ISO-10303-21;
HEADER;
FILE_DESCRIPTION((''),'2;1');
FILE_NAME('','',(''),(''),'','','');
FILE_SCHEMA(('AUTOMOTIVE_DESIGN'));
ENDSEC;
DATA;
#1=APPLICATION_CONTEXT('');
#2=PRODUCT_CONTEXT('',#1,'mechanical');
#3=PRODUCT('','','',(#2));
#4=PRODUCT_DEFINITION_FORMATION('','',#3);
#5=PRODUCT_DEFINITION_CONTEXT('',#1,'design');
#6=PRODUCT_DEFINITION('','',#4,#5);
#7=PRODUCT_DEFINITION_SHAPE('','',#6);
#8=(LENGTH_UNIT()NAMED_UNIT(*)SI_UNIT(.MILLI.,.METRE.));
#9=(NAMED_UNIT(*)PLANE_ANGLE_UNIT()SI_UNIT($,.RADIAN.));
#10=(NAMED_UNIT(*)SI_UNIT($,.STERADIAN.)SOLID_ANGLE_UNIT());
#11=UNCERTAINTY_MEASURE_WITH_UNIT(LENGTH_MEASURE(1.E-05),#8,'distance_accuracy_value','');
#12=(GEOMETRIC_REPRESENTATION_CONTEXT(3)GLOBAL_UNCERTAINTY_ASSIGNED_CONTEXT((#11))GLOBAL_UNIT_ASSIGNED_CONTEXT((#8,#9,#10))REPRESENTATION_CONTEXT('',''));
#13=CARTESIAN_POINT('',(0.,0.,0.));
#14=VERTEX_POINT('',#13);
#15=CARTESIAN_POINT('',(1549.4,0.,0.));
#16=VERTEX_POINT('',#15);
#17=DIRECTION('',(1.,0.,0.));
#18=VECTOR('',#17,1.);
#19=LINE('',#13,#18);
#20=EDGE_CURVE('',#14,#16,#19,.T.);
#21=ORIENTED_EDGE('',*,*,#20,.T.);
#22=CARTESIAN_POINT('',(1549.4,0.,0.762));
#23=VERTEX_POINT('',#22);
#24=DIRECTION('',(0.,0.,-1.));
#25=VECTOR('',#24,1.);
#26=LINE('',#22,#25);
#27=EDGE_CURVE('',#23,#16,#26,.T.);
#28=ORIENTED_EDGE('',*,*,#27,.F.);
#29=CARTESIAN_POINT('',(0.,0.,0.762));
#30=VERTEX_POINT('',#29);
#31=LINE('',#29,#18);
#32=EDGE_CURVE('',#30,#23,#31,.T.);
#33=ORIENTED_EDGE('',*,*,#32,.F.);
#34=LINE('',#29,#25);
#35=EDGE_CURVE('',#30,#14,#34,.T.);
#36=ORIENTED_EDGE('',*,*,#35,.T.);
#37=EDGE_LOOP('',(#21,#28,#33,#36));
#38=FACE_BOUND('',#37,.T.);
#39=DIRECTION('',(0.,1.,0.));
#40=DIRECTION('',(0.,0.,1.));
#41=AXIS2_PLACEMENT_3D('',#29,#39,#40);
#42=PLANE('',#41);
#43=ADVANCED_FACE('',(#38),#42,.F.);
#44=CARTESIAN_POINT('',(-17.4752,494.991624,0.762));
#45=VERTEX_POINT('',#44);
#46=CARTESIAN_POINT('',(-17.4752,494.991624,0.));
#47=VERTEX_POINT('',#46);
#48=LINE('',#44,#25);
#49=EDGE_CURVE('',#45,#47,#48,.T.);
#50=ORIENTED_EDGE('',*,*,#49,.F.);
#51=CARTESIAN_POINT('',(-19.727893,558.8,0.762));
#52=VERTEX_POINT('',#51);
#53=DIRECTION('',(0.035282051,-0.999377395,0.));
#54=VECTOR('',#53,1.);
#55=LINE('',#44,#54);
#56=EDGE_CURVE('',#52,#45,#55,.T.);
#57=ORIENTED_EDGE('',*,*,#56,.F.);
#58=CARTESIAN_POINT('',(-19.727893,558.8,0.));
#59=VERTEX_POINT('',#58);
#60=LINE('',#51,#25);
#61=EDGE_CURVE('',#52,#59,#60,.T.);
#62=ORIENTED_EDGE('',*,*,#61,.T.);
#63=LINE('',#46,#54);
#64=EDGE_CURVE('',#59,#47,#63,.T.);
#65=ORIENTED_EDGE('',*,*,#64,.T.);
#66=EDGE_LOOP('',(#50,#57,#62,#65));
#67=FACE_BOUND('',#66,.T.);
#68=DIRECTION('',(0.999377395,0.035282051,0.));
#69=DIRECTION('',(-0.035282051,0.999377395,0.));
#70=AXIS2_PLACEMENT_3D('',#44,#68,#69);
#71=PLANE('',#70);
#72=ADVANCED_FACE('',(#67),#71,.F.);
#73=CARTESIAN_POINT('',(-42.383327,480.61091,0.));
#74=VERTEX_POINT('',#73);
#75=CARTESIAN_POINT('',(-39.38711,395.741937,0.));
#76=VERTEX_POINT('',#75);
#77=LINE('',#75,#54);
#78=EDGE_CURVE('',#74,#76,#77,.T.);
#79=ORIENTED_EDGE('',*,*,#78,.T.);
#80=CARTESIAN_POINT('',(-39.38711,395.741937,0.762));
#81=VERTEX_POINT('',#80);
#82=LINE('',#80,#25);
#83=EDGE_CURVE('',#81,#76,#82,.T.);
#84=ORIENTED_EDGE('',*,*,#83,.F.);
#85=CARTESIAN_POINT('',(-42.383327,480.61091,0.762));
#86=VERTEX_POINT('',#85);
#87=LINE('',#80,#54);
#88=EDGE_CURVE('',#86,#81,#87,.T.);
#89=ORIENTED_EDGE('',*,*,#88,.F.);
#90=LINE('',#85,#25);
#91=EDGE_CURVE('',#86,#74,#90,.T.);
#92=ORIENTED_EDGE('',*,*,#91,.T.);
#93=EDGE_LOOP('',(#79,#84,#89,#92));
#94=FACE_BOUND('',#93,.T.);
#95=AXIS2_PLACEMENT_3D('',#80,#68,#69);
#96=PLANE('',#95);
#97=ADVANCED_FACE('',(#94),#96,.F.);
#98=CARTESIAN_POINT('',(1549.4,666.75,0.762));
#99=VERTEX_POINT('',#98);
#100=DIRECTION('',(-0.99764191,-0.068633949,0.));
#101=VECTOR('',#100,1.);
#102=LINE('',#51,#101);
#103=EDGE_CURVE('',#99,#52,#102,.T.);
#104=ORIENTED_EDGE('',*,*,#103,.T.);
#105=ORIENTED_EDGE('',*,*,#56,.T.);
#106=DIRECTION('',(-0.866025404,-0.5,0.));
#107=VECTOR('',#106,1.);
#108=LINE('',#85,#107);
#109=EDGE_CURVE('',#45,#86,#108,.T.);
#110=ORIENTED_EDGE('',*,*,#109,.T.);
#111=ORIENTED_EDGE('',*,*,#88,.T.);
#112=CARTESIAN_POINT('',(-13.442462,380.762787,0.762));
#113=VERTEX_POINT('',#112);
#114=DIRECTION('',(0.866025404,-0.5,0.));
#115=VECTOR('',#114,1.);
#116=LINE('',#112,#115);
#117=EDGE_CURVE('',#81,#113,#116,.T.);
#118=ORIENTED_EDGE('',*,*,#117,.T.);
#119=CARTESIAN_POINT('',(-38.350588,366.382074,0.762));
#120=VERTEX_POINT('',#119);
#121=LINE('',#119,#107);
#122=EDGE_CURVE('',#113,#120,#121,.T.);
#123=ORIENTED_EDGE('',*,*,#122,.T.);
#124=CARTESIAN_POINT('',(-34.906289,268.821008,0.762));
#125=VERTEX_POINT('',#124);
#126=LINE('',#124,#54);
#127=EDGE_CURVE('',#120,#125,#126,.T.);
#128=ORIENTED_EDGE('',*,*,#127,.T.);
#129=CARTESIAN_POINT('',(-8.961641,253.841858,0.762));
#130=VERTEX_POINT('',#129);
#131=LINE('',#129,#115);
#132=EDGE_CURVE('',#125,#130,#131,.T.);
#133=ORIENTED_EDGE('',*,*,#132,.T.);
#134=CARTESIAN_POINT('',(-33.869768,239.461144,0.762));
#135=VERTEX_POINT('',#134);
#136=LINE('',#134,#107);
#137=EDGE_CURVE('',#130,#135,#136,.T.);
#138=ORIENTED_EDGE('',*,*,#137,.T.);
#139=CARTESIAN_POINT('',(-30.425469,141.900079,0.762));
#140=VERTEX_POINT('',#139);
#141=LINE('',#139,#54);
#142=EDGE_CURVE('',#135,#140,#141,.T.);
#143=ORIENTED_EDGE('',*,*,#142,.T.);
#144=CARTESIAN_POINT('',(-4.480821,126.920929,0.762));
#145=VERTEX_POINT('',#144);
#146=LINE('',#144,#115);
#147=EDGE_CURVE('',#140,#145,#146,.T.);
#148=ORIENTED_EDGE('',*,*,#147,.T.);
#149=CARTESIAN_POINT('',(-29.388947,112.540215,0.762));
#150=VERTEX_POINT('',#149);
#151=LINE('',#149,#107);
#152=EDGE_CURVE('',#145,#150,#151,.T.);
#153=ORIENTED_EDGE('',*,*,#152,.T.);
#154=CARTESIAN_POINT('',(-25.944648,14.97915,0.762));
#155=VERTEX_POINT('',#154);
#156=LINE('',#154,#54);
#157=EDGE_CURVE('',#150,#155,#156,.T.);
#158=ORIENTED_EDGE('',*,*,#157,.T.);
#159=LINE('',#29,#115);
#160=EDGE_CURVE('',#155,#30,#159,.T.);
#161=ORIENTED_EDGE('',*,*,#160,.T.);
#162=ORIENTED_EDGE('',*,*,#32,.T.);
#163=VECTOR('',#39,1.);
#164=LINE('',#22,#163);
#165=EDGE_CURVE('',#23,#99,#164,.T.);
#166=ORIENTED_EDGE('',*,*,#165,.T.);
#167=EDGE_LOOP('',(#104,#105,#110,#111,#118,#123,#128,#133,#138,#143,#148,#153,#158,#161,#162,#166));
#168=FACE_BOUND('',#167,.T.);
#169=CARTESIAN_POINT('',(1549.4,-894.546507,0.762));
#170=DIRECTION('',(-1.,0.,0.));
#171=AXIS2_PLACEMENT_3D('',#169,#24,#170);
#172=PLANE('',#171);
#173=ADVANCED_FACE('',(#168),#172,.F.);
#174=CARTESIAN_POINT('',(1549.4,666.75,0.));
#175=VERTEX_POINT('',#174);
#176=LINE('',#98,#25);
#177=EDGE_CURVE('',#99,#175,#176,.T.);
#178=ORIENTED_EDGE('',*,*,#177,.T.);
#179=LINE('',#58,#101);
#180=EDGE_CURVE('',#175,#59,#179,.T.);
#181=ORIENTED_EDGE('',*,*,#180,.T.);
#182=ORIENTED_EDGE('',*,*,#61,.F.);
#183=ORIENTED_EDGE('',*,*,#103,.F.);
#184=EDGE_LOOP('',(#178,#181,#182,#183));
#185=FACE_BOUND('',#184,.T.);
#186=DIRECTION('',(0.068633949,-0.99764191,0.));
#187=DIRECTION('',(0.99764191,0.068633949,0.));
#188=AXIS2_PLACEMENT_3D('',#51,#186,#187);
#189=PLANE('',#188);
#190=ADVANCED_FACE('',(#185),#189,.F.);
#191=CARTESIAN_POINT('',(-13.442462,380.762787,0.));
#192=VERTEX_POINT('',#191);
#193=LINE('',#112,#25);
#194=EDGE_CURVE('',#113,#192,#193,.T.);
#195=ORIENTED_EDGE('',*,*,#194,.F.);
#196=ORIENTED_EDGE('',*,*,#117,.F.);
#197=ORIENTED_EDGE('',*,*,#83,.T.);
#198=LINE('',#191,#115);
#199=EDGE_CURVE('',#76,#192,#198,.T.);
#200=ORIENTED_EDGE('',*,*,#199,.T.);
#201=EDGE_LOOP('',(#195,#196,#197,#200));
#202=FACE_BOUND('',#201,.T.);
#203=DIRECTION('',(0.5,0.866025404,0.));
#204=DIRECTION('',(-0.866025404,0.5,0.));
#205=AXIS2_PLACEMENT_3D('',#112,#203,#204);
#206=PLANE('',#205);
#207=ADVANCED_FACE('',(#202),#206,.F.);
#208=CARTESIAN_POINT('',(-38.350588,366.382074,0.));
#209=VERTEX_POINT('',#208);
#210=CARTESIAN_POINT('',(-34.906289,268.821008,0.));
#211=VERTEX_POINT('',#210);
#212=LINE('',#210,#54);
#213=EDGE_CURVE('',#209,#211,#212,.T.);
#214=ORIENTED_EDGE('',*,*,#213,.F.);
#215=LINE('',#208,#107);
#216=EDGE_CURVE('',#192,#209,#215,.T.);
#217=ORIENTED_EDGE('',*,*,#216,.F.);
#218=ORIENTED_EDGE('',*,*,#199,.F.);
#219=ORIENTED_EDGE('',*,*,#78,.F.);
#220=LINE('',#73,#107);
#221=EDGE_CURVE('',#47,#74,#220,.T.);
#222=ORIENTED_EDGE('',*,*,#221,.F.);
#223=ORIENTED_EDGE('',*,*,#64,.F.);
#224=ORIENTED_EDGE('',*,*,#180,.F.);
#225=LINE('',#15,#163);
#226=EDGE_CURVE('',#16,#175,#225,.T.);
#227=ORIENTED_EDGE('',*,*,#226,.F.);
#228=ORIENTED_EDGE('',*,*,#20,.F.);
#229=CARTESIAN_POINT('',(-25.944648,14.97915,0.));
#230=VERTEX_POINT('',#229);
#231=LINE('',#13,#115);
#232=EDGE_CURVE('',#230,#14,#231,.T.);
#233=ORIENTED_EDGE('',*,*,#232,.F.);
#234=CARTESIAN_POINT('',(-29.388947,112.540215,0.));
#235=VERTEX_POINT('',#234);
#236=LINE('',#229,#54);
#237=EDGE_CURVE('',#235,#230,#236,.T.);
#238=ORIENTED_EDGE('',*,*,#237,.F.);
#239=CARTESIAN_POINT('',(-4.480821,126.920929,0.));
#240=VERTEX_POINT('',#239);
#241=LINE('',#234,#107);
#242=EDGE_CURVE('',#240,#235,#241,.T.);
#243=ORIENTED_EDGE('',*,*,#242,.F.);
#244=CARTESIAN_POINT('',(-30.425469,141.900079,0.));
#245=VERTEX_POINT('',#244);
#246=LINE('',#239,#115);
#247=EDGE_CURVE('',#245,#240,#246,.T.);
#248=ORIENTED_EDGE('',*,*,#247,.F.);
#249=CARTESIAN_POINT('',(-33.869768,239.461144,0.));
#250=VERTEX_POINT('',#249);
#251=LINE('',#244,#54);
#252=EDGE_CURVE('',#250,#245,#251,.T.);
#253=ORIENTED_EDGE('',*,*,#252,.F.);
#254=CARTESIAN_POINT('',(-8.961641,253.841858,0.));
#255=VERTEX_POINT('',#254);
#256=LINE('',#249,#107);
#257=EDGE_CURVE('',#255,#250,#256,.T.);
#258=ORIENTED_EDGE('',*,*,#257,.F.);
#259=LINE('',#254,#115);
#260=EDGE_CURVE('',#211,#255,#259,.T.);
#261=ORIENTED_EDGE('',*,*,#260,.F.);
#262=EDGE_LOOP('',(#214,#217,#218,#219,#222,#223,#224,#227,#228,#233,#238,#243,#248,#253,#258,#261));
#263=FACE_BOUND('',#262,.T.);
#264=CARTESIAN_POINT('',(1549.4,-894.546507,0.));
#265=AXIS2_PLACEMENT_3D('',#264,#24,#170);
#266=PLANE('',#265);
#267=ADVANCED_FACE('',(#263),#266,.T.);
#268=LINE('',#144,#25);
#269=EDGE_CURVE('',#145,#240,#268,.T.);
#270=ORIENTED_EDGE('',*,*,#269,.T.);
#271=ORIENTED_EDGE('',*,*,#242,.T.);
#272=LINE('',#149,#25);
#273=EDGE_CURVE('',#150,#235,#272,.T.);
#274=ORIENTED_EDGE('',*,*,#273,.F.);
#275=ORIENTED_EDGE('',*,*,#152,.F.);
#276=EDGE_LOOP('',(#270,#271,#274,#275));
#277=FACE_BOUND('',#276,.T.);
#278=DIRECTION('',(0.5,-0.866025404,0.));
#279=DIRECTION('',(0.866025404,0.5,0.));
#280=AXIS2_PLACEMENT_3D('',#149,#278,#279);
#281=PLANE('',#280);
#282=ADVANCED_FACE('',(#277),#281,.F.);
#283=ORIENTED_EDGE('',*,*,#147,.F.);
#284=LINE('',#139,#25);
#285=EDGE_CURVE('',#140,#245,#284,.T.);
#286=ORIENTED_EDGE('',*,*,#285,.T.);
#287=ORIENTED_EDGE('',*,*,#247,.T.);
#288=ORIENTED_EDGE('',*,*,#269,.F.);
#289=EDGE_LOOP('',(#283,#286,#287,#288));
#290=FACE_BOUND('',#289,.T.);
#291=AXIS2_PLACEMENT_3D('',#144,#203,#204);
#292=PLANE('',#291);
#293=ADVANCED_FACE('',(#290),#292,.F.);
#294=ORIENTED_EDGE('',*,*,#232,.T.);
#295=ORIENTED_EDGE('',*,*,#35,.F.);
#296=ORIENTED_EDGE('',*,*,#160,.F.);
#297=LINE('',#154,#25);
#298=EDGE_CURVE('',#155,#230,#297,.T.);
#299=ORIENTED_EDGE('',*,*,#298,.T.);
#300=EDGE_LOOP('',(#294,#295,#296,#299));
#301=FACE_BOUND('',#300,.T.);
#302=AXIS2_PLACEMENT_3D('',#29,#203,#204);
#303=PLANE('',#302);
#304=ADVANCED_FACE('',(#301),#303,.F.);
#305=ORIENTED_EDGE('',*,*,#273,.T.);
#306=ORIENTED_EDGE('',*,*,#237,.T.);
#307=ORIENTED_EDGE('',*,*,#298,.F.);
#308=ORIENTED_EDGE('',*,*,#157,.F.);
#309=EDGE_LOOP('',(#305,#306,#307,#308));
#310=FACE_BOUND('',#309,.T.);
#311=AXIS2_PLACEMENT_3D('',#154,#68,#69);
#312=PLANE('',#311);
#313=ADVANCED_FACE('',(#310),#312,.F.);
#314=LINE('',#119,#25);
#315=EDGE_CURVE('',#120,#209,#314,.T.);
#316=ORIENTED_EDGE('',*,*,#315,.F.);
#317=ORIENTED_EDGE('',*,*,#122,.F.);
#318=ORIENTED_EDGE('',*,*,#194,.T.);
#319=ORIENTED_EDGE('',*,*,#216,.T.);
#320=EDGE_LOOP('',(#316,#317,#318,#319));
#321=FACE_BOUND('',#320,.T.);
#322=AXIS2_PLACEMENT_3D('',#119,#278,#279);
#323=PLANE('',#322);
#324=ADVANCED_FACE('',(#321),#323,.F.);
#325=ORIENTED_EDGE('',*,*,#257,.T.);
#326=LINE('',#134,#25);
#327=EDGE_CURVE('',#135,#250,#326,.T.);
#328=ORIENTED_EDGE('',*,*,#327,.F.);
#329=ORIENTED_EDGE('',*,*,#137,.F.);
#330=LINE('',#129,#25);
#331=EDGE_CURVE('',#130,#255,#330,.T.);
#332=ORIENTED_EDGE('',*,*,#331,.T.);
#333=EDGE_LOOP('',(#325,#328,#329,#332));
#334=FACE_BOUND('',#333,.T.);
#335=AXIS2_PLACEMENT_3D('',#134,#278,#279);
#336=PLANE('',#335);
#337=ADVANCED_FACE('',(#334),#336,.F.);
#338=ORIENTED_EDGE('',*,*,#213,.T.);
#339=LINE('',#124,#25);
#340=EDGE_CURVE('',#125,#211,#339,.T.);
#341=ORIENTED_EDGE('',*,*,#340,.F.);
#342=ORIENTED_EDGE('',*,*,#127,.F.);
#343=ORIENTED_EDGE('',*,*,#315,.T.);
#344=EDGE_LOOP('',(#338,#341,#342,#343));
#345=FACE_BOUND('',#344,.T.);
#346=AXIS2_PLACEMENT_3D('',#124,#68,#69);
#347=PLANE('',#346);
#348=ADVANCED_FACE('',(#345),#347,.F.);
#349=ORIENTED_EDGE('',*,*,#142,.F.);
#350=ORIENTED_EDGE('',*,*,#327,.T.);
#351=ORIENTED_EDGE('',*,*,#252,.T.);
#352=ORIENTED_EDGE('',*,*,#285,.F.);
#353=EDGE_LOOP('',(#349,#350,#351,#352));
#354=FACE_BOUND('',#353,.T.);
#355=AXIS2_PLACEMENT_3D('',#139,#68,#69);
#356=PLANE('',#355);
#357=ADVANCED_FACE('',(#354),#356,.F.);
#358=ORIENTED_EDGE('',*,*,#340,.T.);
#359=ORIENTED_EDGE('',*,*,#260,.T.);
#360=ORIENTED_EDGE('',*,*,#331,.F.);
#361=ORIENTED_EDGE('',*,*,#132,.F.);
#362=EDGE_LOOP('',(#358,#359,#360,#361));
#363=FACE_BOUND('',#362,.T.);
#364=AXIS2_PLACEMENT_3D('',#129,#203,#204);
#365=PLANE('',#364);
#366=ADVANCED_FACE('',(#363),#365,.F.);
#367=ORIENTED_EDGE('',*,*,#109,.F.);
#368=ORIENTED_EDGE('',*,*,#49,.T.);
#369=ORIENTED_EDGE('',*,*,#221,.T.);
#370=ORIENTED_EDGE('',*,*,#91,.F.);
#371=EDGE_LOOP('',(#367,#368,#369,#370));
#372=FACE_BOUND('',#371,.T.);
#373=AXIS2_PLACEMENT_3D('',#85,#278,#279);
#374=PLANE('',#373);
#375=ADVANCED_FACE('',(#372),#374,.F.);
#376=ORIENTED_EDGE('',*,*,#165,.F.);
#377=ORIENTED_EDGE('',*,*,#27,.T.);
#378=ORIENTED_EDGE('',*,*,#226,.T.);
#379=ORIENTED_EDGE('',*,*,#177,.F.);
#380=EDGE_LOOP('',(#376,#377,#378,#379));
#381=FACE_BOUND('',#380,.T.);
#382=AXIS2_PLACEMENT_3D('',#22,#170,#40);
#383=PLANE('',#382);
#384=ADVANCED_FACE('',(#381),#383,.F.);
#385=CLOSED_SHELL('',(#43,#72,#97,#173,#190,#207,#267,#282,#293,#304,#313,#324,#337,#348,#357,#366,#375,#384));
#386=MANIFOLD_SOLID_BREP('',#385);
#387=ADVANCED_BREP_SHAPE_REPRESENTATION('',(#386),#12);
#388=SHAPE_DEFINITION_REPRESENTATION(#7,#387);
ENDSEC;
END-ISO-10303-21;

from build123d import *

# Parameters (mm, degrees)
EXTRUDE1_DEPTH = 0.762


with BuildPart() as part:
    # Sketch1 → Extrude1 (new body)
    with BuildSketch(Plane.XY):
        Polygon((0, 0), (1549.4, 0), (1549.4, 666.75), (-19.727892949, 558.8), (-17.4752, 494.99162355), (-42.383326854, 480.610909806), (-39.387109946, 395.741937088), (-13.442461538, 380.762787346), (-38.350588393, 366.382073602), (-34.906289433, 268.821007973), (-8.961641026, 253.841858231), (-33.86976788, 239.461144487), (-30.42546892, 141.900078857), (-4.480820513, 126.920929115), (-29.388947367, 112.540215371), (-25.944648407, 14.979149742), align=None)
    extrude(amount=EXTRUDE1_DEPTH)


solid = part.part
